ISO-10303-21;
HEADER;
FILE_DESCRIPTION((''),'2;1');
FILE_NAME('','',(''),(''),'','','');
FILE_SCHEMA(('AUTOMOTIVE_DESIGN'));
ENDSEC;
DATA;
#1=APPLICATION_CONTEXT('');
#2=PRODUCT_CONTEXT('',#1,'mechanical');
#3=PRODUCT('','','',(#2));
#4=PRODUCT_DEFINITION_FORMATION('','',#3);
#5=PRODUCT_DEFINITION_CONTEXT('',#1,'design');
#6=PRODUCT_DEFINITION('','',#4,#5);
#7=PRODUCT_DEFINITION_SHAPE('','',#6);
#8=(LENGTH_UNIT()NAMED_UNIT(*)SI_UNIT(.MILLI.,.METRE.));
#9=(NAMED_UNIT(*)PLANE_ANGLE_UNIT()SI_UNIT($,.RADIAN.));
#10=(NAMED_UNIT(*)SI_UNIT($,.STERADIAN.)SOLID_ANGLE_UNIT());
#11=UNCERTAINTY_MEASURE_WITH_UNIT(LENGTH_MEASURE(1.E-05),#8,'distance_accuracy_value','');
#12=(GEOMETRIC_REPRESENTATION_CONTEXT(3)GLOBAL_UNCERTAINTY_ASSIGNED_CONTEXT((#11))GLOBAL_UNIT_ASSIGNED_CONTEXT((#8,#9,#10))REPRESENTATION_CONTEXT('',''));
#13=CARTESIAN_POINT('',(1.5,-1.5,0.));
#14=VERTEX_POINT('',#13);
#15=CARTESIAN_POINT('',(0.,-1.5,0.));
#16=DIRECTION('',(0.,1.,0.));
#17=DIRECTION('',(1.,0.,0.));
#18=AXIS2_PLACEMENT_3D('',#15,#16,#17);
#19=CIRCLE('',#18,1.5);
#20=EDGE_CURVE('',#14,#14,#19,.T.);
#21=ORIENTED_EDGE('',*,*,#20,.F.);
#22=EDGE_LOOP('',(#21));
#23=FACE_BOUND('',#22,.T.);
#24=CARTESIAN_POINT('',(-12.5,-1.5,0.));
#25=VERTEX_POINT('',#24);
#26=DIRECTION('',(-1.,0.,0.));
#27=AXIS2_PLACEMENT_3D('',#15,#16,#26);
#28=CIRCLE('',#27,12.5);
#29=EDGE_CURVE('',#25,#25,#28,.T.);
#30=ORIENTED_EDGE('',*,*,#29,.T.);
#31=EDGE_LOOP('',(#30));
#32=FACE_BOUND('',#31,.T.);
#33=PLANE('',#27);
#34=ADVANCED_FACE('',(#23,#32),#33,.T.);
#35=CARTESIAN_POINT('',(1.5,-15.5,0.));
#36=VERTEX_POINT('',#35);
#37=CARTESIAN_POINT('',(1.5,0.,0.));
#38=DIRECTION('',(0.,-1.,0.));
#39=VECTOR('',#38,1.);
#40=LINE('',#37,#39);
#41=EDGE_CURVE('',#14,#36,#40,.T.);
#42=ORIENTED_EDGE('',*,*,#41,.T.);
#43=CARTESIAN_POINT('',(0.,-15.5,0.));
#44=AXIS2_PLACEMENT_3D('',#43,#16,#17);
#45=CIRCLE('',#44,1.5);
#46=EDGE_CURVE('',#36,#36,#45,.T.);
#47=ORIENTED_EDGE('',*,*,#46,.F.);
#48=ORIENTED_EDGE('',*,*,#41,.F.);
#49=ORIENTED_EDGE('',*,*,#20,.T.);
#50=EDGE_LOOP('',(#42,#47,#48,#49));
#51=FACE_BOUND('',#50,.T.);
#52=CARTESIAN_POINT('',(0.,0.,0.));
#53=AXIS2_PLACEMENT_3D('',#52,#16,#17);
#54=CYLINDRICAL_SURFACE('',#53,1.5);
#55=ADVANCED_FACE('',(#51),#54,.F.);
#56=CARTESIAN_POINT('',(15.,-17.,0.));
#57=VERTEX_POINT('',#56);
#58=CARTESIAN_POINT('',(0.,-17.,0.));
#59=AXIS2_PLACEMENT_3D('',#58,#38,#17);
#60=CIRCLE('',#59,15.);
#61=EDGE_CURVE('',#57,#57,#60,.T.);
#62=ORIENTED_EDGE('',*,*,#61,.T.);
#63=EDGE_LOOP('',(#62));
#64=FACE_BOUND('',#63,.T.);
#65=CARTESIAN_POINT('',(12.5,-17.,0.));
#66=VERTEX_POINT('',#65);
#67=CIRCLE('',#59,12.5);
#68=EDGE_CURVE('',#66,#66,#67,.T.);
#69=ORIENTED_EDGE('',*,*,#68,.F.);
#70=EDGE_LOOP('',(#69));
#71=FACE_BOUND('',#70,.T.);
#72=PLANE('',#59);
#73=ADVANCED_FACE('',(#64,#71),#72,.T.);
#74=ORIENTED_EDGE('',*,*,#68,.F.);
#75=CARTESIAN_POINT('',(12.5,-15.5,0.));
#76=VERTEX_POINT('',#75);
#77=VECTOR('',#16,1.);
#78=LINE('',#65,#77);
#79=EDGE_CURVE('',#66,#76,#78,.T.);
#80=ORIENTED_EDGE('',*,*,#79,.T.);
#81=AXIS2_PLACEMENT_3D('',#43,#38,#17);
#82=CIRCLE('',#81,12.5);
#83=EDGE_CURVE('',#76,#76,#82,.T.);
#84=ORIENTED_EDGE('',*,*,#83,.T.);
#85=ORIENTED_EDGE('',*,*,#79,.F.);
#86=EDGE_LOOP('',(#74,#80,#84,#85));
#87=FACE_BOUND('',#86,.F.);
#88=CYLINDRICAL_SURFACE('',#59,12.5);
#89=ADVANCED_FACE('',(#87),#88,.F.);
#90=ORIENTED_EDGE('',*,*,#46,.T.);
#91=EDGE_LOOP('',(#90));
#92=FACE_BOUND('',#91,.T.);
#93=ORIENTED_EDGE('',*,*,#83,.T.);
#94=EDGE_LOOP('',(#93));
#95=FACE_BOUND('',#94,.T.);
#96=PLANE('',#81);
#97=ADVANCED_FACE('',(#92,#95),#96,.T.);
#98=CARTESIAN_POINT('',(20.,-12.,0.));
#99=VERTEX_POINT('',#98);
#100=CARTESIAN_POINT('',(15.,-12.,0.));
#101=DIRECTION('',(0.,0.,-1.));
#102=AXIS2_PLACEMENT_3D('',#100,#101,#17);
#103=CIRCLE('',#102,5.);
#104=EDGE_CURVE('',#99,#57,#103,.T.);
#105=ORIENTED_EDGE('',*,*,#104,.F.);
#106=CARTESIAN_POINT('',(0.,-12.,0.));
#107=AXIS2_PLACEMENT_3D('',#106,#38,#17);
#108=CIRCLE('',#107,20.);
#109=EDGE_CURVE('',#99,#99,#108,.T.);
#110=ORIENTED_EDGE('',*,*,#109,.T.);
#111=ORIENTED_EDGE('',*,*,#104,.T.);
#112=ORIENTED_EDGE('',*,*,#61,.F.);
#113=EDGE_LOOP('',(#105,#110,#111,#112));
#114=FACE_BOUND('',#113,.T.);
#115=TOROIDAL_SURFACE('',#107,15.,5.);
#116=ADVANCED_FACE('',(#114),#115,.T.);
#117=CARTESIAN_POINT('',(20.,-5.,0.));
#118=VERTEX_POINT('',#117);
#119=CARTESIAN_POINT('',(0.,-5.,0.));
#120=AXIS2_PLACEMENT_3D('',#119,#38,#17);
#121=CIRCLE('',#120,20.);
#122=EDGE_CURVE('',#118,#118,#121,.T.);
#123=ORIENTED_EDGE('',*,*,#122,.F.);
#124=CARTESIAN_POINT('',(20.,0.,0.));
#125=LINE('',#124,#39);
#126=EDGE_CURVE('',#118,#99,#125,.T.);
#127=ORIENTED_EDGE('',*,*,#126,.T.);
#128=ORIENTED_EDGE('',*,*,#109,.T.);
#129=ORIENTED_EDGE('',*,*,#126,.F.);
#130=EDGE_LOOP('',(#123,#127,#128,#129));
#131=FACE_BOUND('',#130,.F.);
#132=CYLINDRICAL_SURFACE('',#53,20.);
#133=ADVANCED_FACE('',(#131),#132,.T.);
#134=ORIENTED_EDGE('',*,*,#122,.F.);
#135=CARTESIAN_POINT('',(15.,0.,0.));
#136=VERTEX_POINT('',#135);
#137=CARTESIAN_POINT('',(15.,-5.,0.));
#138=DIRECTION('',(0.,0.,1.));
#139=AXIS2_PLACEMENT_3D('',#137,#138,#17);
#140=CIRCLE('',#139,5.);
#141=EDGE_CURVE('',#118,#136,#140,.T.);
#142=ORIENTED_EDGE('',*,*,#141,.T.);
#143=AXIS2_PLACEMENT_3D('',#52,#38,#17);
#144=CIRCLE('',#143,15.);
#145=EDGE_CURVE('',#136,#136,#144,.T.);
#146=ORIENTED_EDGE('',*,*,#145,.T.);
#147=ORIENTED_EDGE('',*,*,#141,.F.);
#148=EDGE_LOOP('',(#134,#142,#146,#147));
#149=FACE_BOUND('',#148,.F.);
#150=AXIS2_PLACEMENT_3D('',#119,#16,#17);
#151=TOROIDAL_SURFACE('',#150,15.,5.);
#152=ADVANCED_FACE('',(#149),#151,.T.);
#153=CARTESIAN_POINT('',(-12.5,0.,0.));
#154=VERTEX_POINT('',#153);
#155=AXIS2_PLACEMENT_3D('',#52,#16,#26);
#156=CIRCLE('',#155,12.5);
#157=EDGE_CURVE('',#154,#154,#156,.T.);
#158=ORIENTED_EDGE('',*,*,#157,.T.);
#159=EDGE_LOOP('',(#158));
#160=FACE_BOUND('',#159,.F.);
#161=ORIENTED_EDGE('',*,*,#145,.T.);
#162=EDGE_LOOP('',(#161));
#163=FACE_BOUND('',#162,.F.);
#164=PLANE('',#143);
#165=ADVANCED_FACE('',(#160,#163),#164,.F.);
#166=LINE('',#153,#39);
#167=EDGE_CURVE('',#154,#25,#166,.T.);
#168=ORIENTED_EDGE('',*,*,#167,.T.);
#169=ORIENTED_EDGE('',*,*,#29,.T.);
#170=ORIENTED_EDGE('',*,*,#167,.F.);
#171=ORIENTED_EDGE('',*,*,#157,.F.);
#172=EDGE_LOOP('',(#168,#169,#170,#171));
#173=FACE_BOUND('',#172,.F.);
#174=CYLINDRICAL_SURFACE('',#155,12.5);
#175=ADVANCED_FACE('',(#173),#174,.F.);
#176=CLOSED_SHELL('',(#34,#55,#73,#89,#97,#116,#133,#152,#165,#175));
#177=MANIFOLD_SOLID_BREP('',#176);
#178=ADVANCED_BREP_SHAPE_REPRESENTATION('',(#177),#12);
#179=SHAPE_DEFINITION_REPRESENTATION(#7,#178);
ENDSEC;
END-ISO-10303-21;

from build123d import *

# Parameters (mm, degrees)
F0_R     = 20
F0_R_2   = 1.5
F1_DEPTH = 17
F2_R     = 12.5
F3_DEPTH = 1.5
F4_R     = 12.5
F5_DEPTH = 1.5
F6_R     = 5


with BuildPart() as f1:
    # F0 (on Front) → F1 (new body)
    with BuildSketch(Plane.XZ):
        Circle(F0_R)
        Circle(F0_R_2, mode=Mode.SUBTRACT)
    extrude(amount=F1_DEPTH)

    # F2 (on face) → F3 (cut)
    with BuildSketch(Plane.XZ.offset(17)):
        Circle(F2_R)
    extrude(amount=-F3_DEPTH, mode=Mode.SUBTRACT)

    # F4 (on face) → F5 (cut)
    with BuildSketch(Plane(origin=(0, 0, 0), x_dir=(-1, 0, 0), z_dir=(0, 1, 0))):
        Circle(F4_R)
    extrude(amount=-F5_DEPTH, mode=Mode.SUBTRACT)

    # F6
    f6_edges = [f1.edges().sort_by_distance(p)[0] for p in [
        (-20, 0, 0),
        (-20, -17, 0),
    ]]
    fillet(f6_edges, radius=F6_R)


solid = f1.part
